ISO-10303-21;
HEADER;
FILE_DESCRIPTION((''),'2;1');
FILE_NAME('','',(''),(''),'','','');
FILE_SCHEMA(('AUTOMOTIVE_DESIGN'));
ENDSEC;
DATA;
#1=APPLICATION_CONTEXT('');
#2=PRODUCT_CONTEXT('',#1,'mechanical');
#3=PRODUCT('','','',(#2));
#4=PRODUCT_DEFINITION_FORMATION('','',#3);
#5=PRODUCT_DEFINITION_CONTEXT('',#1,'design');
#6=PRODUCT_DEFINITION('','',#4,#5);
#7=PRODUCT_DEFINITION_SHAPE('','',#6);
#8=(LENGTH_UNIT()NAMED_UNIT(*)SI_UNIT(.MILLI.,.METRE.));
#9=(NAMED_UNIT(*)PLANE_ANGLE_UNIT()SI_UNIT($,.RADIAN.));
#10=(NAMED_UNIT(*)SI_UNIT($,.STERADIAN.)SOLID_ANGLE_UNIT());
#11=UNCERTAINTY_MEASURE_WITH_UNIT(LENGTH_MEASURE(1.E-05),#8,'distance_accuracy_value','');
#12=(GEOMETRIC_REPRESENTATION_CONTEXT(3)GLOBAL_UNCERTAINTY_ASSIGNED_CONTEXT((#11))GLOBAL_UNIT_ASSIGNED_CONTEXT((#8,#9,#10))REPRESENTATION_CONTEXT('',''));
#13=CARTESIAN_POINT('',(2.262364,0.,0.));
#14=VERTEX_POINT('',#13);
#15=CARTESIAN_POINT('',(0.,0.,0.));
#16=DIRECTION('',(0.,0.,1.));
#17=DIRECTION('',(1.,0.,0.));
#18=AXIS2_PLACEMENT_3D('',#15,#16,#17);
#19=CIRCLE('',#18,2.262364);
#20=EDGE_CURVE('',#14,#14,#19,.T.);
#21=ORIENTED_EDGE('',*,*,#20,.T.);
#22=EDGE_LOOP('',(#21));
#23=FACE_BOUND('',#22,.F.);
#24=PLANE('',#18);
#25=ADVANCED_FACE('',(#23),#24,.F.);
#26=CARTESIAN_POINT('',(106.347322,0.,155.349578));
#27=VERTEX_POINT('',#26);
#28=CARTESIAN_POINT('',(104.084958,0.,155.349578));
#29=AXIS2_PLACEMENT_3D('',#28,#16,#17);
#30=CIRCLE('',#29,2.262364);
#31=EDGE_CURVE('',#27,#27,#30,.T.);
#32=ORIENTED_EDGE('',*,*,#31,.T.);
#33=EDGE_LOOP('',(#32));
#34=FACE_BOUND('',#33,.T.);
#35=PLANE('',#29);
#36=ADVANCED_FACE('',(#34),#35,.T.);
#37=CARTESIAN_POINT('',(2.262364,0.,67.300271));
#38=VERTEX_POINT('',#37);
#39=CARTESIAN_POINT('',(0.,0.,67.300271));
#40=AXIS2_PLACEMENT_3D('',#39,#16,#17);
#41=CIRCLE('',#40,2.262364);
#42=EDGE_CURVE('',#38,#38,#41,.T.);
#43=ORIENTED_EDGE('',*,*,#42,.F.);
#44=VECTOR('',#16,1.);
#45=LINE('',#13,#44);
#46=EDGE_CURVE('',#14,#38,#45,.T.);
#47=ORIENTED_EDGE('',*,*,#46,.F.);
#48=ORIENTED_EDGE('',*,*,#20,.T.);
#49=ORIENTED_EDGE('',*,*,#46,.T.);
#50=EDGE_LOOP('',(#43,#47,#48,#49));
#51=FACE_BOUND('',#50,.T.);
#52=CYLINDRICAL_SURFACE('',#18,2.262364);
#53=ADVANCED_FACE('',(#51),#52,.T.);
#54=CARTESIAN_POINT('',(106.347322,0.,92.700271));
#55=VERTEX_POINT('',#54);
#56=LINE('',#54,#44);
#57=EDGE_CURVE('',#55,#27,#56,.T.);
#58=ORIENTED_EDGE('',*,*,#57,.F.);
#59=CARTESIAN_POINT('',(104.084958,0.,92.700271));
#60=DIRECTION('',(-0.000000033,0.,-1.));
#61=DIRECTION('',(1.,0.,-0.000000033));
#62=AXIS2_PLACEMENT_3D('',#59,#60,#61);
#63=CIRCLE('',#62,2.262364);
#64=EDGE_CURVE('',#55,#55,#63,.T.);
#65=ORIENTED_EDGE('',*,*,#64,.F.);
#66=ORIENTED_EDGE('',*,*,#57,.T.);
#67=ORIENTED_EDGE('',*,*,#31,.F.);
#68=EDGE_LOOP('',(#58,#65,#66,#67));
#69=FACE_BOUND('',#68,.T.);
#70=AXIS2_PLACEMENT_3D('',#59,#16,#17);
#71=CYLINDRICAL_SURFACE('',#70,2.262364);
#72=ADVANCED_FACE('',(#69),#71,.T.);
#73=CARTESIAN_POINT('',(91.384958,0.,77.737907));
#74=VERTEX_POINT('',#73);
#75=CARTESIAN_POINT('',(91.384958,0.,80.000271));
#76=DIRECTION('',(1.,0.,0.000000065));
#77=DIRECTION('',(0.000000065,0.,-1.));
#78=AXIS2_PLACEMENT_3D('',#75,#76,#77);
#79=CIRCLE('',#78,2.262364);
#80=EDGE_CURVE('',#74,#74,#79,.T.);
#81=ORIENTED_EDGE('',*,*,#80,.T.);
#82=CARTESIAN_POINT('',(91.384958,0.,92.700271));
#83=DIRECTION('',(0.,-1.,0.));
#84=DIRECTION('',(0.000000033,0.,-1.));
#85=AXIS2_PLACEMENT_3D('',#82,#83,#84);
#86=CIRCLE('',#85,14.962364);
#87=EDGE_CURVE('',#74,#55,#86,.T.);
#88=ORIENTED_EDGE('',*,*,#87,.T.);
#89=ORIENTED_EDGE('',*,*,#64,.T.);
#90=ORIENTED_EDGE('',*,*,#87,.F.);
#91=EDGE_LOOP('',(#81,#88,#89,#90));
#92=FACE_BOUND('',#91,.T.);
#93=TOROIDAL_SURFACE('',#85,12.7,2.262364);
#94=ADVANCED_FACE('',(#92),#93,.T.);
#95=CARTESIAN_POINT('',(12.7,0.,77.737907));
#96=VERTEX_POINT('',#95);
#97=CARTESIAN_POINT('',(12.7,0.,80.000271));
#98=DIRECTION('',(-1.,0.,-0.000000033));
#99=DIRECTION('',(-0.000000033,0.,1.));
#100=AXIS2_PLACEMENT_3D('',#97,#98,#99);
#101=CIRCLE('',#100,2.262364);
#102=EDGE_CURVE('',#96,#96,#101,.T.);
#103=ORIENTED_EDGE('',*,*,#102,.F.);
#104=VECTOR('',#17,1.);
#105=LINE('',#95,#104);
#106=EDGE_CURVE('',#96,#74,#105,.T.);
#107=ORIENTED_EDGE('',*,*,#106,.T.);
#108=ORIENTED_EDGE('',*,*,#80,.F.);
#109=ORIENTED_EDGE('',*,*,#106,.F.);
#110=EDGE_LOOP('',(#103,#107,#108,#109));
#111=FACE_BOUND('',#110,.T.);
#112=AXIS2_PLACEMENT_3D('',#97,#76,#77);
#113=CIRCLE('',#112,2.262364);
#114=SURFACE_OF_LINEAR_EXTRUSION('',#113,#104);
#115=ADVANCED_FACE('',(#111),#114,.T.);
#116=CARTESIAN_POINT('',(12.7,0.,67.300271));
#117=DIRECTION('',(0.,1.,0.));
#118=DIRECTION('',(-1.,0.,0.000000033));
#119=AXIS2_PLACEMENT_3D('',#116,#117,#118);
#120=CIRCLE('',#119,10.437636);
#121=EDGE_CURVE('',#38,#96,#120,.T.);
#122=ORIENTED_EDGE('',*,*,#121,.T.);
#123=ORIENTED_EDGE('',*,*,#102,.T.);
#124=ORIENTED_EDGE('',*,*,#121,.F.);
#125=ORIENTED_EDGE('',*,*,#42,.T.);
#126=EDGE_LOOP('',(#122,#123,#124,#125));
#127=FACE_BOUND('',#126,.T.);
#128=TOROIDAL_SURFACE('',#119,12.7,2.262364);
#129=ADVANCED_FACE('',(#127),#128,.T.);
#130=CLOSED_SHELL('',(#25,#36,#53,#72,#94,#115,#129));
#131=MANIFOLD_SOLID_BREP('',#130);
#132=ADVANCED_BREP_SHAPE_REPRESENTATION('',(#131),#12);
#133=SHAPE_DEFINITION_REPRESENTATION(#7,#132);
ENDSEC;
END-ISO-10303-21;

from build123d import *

# Parameters (mm, degrees)
F1_R = 2.262364


with BuildPart() as f2:
    # F2: sweep along a path in F0
    with BuildLine(Plane.XZ) as f2_path:
        Line((0, 0), (0, 67.300271))
        ThreePointArc((0, 67.300271), (3.719744, 76.280527), (12.7, 80.000271))
        Line((12.7, 80.000271), (91.384958, 80.000271))
        ThreePointArc((91.384958, 80.000271), (100.365214, 83.720015), (104.084958, 92.700271))
        Line((104.084958, 92.700271), (104.084958, 155.349578))
    # F1 (on Top) → F2 (sweep)
    with BuildSketch(Plane.XY):
        Circle(F1_R)
    sweep(path=f2_path.line)


solid = f2.part
